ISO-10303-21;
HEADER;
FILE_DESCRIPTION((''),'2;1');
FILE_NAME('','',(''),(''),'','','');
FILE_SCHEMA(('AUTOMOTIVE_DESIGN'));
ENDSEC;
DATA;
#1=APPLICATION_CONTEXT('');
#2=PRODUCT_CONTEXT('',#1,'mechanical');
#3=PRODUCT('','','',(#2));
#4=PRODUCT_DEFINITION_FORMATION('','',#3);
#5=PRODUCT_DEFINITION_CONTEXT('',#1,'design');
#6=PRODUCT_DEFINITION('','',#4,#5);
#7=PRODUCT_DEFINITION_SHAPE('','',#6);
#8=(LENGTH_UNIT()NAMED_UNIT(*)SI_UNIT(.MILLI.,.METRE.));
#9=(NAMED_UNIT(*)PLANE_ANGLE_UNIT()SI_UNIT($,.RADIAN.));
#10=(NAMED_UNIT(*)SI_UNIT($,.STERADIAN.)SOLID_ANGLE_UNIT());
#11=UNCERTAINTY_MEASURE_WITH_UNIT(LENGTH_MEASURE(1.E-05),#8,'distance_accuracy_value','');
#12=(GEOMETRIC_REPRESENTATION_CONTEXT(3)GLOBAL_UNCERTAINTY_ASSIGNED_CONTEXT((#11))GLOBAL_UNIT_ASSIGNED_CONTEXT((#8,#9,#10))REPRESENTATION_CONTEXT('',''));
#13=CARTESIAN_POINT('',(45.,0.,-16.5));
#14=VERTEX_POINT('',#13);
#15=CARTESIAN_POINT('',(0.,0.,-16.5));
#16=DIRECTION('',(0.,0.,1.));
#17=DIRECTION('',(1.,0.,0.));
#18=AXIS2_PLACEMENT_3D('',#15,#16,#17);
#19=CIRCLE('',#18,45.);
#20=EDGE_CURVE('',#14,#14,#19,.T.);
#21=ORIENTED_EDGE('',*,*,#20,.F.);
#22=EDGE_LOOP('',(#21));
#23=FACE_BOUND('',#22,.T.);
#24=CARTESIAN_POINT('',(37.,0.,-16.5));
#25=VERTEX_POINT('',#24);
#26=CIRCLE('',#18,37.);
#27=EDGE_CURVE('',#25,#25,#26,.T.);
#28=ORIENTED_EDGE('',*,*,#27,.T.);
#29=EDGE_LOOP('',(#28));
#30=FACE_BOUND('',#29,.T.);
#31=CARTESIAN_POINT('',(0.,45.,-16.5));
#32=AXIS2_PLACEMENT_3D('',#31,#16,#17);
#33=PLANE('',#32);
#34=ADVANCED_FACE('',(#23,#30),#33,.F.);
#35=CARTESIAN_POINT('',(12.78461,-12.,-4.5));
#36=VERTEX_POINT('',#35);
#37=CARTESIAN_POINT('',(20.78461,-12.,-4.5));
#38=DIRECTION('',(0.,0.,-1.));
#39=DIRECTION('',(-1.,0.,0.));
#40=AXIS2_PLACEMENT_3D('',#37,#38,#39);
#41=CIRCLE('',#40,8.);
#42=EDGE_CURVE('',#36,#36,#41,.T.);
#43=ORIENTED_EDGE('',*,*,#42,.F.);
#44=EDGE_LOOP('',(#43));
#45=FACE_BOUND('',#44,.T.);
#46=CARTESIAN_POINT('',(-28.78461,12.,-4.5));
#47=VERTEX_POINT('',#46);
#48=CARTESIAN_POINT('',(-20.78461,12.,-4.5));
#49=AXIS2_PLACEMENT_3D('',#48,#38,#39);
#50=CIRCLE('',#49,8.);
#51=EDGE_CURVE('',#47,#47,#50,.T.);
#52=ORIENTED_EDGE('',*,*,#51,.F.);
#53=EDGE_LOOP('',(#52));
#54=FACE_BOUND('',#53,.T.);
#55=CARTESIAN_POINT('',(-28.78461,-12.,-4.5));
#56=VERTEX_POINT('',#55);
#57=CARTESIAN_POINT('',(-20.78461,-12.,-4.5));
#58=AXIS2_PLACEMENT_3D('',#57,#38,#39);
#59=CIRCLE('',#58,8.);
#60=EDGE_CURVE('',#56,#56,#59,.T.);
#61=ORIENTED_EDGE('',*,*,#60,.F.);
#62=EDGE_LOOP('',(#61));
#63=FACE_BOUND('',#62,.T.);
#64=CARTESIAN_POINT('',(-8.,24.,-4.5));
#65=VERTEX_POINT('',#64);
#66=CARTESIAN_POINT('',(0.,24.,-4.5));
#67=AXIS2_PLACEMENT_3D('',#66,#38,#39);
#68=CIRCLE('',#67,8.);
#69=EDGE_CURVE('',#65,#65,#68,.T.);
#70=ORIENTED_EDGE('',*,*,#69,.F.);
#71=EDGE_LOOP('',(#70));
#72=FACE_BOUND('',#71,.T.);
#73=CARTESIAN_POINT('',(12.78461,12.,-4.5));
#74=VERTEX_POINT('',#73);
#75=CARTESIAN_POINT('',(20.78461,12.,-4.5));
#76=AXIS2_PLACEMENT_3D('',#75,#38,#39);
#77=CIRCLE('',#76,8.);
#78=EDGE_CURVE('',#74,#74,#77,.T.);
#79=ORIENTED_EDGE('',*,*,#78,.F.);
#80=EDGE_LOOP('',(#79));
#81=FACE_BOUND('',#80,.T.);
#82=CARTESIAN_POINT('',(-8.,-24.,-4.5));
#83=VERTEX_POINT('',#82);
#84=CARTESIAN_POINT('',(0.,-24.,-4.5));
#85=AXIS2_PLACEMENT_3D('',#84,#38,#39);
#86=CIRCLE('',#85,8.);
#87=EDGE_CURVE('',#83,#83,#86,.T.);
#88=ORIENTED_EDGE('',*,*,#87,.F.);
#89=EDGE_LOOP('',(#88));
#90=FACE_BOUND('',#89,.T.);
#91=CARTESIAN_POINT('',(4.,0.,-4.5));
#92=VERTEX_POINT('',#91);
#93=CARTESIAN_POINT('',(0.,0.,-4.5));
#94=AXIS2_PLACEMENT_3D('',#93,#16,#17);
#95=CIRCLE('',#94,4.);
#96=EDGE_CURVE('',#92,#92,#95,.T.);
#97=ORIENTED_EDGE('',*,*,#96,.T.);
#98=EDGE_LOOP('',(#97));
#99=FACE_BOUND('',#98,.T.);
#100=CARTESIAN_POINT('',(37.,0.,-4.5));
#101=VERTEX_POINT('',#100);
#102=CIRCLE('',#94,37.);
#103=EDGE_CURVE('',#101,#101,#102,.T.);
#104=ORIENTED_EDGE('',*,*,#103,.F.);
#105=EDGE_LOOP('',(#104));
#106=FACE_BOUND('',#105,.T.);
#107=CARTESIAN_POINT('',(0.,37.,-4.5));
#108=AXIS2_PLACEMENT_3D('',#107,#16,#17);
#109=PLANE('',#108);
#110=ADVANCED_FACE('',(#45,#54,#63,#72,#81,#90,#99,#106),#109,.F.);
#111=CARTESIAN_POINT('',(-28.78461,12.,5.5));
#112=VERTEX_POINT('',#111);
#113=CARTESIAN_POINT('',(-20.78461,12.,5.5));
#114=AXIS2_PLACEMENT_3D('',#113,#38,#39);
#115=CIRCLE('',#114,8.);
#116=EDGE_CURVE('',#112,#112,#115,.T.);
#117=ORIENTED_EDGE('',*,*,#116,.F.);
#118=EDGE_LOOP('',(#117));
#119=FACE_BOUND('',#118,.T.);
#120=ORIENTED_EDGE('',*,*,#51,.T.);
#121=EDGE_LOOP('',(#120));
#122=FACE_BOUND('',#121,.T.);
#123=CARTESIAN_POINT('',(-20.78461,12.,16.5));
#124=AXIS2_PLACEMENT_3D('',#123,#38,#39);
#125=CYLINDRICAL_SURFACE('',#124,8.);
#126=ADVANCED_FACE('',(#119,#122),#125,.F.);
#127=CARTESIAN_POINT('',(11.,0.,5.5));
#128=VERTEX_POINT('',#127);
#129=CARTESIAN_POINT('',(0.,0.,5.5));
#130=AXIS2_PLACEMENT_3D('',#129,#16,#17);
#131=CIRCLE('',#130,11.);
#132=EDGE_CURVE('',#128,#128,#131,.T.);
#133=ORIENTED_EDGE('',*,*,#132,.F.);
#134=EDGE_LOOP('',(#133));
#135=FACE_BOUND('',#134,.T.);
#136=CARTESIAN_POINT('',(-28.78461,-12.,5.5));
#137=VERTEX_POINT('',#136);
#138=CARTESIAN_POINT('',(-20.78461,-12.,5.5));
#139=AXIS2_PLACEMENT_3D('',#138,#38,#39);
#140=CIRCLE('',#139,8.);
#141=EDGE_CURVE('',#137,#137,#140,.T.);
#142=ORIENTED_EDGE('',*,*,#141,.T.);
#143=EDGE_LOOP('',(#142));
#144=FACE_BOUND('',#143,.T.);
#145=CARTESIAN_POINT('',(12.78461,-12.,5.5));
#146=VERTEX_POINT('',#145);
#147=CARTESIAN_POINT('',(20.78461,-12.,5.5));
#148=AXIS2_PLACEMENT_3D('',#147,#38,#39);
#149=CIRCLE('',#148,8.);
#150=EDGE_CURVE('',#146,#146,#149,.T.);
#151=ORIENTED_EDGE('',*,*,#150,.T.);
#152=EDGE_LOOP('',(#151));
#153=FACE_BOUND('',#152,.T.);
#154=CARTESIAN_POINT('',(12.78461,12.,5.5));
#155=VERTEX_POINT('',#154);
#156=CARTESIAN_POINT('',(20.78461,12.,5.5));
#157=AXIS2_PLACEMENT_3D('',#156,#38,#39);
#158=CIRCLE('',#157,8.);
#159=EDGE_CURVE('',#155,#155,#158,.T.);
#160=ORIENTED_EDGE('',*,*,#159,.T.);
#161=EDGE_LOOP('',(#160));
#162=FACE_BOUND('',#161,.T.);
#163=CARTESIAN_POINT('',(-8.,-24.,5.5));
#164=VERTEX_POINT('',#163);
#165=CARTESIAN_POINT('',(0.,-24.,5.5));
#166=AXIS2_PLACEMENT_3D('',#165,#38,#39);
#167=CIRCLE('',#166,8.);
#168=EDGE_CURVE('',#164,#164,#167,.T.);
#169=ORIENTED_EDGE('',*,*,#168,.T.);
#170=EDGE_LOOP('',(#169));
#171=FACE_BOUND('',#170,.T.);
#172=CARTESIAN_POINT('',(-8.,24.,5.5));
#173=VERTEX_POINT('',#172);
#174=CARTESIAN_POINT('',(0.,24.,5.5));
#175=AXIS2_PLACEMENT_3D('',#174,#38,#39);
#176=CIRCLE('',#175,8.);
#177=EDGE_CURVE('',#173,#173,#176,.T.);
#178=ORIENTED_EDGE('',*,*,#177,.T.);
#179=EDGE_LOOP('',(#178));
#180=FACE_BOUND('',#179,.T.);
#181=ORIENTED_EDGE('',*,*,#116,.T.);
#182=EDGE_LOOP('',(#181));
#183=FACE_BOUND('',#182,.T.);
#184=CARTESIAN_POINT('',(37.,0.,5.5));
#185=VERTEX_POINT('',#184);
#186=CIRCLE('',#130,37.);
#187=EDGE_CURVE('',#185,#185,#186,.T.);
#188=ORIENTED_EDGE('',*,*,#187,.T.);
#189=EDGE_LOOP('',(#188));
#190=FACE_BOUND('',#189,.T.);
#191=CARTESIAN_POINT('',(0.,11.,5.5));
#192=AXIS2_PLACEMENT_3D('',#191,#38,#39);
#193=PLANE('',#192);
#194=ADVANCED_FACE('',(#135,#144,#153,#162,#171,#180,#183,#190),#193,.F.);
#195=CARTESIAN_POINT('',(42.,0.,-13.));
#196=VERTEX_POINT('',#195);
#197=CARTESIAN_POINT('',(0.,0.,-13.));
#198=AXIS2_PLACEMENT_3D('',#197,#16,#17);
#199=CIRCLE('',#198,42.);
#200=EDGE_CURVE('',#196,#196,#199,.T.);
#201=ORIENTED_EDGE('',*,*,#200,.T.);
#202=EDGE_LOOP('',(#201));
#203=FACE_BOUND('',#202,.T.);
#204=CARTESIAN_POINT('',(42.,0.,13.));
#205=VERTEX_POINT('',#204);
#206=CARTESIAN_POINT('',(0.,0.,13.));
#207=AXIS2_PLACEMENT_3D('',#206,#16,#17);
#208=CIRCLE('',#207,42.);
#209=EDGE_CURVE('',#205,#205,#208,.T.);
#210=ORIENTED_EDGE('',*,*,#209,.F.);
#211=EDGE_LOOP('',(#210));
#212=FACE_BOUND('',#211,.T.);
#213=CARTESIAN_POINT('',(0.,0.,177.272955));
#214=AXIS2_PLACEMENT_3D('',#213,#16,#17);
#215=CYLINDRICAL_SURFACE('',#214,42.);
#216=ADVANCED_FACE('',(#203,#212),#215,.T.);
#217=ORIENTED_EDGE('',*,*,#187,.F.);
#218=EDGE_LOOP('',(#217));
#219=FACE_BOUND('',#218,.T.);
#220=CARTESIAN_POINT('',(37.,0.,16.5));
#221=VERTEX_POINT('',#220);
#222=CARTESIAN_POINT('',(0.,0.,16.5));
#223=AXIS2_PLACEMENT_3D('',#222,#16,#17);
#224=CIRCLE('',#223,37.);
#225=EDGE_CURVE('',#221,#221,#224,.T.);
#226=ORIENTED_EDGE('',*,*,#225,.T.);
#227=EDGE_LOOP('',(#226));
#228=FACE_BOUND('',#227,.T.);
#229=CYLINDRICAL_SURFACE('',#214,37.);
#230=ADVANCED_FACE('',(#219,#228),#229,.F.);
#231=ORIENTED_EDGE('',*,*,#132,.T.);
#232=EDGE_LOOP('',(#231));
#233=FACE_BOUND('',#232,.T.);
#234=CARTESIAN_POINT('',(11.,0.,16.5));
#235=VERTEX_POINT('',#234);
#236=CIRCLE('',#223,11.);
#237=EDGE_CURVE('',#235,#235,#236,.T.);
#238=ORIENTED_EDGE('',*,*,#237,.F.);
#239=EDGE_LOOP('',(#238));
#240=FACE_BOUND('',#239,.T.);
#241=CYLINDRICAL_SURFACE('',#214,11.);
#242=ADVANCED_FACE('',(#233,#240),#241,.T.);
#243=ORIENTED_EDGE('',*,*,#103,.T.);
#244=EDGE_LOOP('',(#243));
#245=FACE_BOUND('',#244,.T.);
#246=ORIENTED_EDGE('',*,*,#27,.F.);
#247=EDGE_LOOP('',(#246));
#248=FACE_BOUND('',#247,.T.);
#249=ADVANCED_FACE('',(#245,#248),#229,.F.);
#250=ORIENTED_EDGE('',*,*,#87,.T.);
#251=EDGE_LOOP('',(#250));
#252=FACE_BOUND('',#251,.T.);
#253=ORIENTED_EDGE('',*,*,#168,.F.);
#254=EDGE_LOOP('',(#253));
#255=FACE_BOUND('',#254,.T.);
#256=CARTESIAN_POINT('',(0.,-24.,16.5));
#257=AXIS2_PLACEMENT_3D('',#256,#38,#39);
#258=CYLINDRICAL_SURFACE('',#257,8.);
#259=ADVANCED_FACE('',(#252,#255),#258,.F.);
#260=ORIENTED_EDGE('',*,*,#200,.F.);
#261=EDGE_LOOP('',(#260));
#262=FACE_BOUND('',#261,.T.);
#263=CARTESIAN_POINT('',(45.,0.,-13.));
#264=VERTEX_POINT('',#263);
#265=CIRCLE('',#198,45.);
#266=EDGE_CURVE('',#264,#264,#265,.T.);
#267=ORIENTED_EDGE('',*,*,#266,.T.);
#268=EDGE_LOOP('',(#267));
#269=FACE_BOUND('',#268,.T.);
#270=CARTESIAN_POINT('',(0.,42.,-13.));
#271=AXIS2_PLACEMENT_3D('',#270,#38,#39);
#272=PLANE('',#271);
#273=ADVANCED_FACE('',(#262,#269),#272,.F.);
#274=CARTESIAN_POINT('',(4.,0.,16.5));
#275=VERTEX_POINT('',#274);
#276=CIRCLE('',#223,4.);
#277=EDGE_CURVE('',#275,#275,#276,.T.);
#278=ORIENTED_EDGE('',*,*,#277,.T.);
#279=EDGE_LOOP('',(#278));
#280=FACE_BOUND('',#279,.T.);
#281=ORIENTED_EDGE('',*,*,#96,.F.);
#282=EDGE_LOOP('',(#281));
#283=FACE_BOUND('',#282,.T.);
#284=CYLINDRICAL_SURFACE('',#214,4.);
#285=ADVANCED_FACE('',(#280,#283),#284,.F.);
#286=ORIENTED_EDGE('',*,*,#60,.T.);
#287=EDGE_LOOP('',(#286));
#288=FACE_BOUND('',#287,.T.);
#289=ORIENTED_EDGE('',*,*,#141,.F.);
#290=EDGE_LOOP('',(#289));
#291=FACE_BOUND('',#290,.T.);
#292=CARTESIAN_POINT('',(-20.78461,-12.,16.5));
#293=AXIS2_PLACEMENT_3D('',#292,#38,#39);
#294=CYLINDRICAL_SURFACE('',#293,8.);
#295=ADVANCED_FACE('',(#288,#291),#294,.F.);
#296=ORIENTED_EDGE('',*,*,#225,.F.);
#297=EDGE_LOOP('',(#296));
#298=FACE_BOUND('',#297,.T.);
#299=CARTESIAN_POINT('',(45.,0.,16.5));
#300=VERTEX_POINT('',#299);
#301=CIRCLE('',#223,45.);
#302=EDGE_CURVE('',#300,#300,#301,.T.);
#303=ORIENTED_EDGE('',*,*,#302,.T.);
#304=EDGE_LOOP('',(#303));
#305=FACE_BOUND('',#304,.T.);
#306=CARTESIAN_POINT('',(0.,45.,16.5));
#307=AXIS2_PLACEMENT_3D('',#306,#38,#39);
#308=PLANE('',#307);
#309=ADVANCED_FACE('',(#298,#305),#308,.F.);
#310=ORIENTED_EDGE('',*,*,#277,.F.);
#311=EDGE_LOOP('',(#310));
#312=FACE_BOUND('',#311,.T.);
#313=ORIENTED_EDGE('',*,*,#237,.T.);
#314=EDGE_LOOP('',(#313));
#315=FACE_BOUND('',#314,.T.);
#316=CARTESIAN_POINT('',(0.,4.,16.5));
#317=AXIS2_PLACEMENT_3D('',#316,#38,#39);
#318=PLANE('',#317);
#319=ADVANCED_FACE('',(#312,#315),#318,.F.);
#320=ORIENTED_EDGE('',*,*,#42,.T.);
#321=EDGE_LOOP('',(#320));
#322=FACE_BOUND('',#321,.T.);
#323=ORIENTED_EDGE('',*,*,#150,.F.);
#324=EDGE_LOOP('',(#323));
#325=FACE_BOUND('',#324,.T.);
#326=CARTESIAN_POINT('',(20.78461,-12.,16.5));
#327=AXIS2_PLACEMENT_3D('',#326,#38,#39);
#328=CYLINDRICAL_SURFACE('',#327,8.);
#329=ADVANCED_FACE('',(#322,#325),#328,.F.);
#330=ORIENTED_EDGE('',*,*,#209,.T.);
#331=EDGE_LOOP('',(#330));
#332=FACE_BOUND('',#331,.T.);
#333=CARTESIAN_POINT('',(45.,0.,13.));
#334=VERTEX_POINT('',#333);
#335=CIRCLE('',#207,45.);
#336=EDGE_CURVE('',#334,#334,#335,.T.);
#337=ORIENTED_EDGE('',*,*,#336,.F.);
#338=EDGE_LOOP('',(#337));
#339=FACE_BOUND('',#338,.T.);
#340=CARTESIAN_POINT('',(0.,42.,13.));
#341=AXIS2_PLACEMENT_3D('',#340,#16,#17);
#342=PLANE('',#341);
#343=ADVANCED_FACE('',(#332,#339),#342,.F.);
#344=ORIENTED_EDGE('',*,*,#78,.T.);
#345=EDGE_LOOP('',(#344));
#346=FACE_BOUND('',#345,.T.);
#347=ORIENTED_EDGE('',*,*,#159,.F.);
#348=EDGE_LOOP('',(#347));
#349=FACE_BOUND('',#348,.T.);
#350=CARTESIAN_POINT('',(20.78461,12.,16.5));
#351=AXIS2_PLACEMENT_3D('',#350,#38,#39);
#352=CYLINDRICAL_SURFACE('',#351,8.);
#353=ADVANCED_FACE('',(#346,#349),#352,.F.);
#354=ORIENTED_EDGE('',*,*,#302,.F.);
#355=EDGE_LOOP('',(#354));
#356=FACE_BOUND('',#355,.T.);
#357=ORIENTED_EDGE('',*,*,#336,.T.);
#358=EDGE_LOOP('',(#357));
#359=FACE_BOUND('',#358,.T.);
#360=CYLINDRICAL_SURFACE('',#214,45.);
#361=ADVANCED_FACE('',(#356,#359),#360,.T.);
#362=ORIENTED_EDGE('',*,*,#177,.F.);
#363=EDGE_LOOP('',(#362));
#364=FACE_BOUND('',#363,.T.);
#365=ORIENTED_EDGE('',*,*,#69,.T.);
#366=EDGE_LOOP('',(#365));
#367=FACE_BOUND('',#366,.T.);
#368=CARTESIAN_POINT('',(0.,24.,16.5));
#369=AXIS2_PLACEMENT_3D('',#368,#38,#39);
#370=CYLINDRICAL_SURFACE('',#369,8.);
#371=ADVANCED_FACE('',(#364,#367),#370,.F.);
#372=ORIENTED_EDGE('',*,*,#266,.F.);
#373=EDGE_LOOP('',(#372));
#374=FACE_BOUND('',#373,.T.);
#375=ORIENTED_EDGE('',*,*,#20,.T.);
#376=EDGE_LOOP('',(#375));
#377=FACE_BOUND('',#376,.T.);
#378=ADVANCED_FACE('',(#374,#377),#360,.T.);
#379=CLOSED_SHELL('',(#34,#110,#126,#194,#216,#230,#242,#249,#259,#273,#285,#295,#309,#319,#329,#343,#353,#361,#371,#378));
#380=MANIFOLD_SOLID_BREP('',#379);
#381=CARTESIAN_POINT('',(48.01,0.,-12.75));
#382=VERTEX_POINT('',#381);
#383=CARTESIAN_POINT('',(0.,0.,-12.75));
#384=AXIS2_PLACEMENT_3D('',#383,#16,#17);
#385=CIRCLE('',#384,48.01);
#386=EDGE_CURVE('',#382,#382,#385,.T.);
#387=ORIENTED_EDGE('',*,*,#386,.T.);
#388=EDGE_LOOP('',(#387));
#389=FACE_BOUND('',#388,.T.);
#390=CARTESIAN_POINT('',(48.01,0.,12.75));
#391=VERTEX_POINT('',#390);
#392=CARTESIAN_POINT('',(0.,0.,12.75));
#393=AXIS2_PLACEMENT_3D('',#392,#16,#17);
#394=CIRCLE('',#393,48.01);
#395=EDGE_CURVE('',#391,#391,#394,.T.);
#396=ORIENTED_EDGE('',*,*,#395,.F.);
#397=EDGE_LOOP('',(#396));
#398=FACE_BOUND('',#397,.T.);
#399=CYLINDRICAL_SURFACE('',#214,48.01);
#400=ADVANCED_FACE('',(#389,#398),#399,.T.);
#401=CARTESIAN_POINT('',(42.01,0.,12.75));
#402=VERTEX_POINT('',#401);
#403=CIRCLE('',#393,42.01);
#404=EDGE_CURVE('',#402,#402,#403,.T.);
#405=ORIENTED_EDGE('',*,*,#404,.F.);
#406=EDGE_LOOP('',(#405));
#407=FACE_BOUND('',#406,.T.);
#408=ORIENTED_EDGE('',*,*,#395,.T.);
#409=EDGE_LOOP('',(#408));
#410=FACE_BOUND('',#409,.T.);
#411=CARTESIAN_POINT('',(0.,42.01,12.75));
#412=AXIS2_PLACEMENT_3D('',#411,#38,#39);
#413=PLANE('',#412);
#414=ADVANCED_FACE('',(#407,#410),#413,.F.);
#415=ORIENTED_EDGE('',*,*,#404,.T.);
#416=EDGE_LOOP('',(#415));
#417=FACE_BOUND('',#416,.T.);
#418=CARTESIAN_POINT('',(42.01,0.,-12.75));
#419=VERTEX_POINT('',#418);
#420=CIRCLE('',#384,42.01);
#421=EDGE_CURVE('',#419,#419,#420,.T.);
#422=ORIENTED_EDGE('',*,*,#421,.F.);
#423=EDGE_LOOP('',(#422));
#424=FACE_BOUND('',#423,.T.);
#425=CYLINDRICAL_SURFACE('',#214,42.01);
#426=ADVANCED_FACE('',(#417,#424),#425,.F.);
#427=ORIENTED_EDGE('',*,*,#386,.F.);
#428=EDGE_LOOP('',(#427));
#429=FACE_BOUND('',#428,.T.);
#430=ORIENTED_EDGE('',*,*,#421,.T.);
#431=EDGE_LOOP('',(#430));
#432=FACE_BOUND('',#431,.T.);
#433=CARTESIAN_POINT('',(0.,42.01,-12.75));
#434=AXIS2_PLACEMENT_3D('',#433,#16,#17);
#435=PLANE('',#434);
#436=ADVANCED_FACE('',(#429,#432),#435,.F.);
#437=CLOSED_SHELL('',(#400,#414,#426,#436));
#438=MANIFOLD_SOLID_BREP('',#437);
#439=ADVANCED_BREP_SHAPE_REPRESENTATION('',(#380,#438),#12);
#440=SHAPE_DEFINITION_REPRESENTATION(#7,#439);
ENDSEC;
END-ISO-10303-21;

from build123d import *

# Parameters (mm, degrees)
SKETCH1_W          = 25.5
SKETCH1_H          = 6
SKETCH2_R          = 8
CUT_EXTRUDE1_DEPTH = 72.069826227


with BuildPart() as part:
    # Sketch1 → Revolve1 (revolve)
    with BuildSketch(Plane(origin=(0, 0, 0), x_dir=(0, 0, -1), z_dir=(1, 0, 0)), mode=Mode.PRIVATE) as revolve1_sk:
        Polygon((13, 42), (-13, 42), (-13, 45), (-16.5, 45), (-16.5, 37), (-5.5, 37), (-5.5, 11), (-16.5, 11), (-16.5, 4), (4.5, 4), (4.5, 37), (16.5, 37), (16.5, 45), (13, 45), align=None)
        with Locations((0, 45.01)):
            Rectangle(SKETCH1_W, SKETCH1_H)
    revolve(revolve1_sk.sketch.rotate(Axis((0, 0, 177.272954683), (0, 0, -1)), 90), axis=Axis((0, 0, 177.272954683), (0, 0, -1)))

    # Sketch2 → Cut-Extrude1 (cut, through all)
    with BuildSketch(Plane(origin=(0, 0, -4.5), x_dir=(-1, 0, 0), z_dir=(0, 0, -1))):
        with Locations((0, 24)):
            Circle(SKETCH2_R)
        with Locations((20.784609691, 12)):
            Circle(SKETCH2_R)
        with Locations((20.784609691, -12)):
            Circle(SKETCH2_R)
        with Locations((0, -24)):
            Circle(SKETCH2_R)
        with Locations((-20.784609691, -12)):
            Circle(SKETCH2_R)
        with Locations((-20.784609691, 12)):
            Circle(SKETCH2_R)
    extrude(amount=-CUT_EXTRUDE1_DEPTH, mode=Mode.SUBTRACT)


solid = part.part
